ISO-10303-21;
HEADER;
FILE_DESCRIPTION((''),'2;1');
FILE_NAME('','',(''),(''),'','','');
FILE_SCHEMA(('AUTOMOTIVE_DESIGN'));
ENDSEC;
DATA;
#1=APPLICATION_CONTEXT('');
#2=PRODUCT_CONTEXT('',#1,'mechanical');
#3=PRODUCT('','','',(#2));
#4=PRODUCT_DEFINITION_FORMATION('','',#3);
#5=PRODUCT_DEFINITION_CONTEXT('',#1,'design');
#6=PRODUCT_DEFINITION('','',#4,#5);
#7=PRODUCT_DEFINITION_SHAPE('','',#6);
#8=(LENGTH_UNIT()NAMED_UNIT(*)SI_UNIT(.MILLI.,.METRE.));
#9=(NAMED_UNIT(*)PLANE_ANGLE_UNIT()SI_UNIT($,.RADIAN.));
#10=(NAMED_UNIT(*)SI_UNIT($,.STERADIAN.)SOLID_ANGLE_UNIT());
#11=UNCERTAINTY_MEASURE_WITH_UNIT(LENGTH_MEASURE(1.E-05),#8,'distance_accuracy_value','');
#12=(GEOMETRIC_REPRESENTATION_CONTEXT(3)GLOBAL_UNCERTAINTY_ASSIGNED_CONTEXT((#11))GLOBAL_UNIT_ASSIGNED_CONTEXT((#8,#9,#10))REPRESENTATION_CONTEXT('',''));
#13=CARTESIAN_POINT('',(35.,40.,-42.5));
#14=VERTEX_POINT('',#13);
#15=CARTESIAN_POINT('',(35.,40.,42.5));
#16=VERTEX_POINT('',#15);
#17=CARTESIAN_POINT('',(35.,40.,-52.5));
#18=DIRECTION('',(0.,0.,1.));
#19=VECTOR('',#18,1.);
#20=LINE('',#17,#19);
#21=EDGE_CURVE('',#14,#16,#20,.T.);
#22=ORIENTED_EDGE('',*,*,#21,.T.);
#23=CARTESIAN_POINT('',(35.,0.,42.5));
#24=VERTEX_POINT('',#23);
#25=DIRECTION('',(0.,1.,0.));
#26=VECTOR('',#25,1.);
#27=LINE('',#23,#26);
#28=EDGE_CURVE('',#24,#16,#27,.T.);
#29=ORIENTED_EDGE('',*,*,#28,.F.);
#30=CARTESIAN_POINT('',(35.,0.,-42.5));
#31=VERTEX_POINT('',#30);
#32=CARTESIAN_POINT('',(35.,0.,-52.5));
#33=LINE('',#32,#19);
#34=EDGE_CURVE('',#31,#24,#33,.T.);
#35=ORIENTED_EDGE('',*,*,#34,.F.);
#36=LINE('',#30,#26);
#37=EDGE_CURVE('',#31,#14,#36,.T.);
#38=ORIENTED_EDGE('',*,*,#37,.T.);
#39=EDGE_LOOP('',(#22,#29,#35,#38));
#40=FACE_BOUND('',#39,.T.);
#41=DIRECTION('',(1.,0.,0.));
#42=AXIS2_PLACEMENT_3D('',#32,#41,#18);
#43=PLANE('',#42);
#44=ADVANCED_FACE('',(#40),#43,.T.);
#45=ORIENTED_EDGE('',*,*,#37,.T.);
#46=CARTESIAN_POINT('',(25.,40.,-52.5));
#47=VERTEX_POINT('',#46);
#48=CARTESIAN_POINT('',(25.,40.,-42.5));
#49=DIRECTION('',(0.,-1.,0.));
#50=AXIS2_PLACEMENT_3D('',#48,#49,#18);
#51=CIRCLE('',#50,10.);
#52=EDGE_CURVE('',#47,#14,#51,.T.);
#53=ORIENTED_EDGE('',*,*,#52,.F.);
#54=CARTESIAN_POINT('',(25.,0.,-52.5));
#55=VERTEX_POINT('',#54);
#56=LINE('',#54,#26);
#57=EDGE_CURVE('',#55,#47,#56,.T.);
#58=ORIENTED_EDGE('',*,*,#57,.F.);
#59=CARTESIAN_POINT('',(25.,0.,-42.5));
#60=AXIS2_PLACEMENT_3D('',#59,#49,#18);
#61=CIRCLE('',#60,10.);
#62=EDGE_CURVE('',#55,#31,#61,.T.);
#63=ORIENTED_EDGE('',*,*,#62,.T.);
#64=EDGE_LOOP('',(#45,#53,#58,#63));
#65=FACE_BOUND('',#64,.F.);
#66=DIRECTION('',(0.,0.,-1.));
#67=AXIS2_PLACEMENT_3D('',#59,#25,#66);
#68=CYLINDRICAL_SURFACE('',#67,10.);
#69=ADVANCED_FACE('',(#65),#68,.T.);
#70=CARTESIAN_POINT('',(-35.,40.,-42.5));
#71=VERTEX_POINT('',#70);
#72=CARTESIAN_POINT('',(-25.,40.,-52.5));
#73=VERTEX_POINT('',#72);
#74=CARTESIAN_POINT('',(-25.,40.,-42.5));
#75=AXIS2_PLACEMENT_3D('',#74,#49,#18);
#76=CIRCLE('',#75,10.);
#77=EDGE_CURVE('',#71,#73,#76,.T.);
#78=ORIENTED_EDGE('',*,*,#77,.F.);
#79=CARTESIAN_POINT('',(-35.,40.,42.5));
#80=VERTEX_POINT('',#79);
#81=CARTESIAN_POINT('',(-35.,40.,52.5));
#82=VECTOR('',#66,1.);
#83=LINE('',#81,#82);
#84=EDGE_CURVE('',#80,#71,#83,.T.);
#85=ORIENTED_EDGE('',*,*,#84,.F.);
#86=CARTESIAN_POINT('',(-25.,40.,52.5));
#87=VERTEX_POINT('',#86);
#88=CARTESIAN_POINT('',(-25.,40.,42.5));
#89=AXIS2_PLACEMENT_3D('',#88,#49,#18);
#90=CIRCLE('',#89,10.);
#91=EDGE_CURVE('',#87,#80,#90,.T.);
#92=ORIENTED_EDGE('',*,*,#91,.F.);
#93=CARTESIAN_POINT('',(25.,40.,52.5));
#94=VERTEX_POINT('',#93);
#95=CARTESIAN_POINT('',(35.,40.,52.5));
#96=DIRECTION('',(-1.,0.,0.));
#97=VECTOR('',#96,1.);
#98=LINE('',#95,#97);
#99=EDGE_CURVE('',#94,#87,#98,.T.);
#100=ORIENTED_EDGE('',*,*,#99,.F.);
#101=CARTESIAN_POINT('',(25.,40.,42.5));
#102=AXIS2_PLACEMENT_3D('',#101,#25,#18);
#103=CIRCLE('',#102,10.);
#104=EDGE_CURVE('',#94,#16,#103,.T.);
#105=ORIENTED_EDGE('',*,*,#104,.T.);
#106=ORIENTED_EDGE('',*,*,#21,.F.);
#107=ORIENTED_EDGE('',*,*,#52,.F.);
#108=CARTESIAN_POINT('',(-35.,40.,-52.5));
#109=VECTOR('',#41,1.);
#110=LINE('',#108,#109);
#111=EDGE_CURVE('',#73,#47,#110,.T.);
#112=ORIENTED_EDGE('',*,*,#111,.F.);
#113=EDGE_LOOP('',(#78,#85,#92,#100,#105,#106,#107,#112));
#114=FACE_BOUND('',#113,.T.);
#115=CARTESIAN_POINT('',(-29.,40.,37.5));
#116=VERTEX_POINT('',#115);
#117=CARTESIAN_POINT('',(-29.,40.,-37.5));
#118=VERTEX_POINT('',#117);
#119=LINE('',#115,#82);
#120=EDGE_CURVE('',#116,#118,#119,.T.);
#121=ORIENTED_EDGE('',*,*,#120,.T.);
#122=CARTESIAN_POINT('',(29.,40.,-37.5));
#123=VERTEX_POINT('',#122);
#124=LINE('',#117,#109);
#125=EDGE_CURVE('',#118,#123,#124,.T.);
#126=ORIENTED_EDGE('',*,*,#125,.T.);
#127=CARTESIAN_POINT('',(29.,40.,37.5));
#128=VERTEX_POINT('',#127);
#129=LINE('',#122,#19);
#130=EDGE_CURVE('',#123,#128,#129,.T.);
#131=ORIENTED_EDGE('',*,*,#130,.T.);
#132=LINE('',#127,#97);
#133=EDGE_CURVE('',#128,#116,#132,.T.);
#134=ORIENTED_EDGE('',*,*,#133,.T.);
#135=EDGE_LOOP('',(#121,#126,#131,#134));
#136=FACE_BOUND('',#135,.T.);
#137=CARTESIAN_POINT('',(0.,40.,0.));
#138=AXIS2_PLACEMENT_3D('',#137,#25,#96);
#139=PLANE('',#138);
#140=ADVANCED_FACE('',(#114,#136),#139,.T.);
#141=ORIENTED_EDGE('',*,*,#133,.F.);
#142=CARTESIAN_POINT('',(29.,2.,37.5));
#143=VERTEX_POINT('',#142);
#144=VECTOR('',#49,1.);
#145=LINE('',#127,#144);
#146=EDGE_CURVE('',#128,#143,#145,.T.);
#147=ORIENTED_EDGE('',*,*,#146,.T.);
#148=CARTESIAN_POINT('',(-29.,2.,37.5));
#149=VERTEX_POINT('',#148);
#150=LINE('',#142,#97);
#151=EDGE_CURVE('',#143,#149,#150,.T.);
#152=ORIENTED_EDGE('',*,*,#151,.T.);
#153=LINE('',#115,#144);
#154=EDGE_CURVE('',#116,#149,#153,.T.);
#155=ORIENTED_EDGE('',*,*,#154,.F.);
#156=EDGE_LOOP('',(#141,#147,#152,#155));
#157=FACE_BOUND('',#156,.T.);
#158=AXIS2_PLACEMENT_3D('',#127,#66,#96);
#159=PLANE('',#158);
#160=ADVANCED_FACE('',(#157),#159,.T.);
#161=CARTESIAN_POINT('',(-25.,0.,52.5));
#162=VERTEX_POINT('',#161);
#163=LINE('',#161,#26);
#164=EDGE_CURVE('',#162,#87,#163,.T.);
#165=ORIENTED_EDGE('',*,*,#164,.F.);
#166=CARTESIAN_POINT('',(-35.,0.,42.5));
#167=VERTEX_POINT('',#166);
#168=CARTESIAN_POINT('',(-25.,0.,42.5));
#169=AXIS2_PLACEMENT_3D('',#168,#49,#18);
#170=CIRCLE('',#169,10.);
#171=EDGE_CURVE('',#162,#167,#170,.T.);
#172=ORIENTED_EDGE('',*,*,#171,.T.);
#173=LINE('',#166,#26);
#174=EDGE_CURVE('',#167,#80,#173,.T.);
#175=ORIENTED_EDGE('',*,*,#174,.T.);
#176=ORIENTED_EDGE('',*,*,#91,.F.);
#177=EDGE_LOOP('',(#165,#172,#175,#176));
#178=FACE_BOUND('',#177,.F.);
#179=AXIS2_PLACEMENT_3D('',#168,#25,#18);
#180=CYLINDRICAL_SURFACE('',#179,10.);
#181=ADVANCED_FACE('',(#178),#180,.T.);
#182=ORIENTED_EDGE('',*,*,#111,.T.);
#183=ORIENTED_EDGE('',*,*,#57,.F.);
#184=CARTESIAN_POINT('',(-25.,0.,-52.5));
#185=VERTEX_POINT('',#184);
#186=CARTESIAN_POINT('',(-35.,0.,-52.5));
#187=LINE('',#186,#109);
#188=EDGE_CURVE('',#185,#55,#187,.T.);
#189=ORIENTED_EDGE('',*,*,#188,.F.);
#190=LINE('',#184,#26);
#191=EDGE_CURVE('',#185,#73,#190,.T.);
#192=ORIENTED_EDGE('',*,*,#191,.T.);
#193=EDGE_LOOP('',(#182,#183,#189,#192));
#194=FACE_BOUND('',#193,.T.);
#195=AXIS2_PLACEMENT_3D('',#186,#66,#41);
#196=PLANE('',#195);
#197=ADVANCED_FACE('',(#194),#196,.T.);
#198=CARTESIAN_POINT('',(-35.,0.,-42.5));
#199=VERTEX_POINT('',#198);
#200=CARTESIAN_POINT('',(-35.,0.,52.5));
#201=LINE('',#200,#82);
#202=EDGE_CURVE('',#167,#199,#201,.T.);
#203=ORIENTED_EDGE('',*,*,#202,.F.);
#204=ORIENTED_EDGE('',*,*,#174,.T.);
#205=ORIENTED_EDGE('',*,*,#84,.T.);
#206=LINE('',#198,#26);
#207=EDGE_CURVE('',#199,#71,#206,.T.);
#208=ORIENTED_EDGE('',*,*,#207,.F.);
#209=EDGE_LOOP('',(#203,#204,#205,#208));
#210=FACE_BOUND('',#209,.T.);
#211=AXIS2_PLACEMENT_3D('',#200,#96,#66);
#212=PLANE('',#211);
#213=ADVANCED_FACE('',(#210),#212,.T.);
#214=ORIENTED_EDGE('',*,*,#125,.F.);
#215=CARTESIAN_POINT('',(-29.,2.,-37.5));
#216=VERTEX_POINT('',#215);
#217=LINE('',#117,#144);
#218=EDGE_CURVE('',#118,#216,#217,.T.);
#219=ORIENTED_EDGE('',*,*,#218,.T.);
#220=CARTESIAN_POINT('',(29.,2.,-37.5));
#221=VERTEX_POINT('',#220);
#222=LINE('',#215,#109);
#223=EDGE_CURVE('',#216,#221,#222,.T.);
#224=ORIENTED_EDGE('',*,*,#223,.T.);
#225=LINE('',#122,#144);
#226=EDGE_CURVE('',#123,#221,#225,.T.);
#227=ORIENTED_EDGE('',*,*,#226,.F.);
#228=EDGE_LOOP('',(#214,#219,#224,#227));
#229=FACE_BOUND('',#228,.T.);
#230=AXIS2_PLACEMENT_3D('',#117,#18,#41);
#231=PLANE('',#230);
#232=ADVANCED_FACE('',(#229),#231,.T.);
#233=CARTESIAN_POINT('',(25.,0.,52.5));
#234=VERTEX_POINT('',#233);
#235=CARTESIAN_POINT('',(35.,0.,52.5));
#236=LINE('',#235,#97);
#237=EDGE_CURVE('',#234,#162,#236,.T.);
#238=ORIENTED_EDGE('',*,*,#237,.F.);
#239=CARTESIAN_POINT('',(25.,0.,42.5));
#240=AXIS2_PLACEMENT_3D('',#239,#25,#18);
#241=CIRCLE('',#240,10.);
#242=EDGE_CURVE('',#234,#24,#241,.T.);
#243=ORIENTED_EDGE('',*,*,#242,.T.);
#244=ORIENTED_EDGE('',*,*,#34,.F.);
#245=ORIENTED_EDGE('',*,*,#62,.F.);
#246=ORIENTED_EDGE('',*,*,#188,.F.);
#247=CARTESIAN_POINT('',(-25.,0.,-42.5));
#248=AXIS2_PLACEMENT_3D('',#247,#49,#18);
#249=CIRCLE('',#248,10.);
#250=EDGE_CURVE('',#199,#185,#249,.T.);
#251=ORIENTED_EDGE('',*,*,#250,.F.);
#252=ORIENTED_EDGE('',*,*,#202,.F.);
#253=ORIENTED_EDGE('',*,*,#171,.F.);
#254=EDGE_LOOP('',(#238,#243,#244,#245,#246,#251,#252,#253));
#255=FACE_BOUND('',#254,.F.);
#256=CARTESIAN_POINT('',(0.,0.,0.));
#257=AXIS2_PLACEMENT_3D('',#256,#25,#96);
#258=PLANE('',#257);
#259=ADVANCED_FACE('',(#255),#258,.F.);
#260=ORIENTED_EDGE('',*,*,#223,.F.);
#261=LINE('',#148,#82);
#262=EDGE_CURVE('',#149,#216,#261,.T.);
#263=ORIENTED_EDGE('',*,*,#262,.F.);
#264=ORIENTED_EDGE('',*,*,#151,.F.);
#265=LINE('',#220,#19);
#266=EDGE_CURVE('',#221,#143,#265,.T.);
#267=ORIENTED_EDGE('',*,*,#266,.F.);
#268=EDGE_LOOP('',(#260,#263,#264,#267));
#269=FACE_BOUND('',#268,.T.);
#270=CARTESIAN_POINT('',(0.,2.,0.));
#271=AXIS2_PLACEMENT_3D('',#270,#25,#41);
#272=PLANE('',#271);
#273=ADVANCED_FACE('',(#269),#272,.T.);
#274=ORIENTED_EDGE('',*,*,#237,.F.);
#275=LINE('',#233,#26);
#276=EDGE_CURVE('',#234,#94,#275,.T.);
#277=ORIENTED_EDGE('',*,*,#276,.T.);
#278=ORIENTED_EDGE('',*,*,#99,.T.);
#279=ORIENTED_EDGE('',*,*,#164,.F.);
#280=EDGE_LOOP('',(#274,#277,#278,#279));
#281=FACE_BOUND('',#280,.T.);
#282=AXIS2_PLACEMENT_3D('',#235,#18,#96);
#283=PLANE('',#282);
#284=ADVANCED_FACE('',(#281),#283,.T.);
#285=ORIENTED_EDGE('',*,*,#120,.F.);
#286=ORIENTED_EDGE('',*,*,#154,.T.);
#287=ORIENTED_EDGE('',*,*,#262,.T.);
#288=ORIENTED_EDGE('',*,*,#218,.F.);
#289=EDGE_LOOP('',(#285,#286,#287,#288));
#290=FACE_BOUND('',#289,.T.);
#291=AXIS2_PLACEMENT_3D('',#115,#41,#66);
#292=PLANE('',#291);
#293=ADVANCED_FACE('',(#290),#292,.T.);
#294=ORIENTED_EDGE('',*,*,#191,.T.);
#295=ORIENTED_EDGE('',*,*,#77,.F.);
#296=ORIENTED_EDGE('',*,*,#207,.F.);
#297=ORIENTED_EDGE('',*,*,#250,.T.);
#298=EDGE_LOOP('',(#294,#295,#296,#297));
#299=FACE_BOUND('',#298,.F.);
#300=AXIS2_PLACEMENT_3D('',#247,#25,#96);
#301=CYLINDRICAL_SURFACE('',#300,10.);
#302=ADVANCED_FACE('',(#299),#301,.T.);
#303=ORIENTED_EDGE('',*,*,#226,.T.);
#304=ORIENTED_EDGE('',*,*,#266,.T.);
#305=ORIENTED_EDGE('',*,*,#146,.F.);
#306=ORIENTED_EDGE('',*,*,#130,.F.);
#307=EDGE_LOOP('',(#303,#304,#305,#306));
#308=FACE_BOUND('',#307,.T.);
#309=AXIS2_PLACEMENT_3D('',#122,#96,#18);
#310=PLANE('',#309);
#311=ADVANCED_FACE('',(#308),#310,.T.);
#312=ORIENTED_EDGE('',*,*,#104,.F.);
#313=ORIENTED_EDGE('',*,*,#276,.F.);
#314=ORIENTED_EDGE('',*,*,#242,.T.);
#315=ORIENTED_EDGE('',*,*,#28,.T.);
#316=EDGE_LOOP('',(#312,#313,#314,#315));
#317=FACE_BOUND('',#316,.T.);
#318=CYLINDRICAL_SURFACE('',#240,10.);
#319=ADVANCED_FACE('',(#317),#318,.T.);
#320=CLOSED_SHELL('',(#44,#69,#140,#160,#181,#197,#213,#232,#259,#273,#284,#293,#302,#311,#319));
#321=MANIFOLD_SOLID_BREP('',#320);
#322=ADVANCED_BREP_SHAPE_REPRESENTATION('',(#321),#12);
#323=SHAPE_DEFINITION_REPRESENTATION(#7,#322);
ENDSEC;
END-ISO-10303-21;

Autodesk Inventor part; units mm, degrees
ref_plane "XZ Plane" through (0, 0, 0) normal (0, 1, 0) x (-1, 0, 0)
ref_plane "XY Plane" through (0, 0, 0) normal (0, 0, 1) x (1, 0, 0)
sketch "Sketch1" plane through (0, 0, 0) normal (0, 1, 0) x (-1, 0, 0)
  line L0 (-35, 52.5) -> (35, 52.5)
  line L1 (35, 52.5) -> (35, -52.5)
  line L2 (35, -52.5) -> (-35, -52.5)
  line L3 (-35, -52.5) -> (-35, 52.5)
  line L4 (-35, 52.5) -> (35, -52.5) construction
  line L5 (35, 52.5) -> (-35, -52.5) construction
  point P0 (0, 0)
  dimension "d0" = 105
  dimension "d1" = 70
extrude "Extrusion1" add sketch "Sketch1" along normal blind 40
fillet "Fillet1" radius 10 4 edges at (-35, 20, 52.5) (35, 20, 52.5) (-35, 20, -52.5) (35, 20, -52.5)
sketch "Sketch2" plane through (0, 40, 0) normal (0, 1, 0) x (1, 0, 0)
  line L0 (29, -37.5) -> (-29, -37.5)
  line L1 (-29, -37.5) -> (-29, 37.5)
  line L2 (-29, 37.5) -> (29, 37.5)
  line L3 (29, 37.5) -> (29, -37.5)
  line L4 (29, -37.5) -> (-29, 37.5) construction
  line L5 (-29, -37.5) -> (29, 37.5) construction
  point P0 (0, 0)
  dimension "d5" = 58
  dimension "d6" = 75
extrude "Extrusion2" cut sketch "Sketch2" against normal blind 38
properties part number "CH_01_0038_kradex_place_holder"
